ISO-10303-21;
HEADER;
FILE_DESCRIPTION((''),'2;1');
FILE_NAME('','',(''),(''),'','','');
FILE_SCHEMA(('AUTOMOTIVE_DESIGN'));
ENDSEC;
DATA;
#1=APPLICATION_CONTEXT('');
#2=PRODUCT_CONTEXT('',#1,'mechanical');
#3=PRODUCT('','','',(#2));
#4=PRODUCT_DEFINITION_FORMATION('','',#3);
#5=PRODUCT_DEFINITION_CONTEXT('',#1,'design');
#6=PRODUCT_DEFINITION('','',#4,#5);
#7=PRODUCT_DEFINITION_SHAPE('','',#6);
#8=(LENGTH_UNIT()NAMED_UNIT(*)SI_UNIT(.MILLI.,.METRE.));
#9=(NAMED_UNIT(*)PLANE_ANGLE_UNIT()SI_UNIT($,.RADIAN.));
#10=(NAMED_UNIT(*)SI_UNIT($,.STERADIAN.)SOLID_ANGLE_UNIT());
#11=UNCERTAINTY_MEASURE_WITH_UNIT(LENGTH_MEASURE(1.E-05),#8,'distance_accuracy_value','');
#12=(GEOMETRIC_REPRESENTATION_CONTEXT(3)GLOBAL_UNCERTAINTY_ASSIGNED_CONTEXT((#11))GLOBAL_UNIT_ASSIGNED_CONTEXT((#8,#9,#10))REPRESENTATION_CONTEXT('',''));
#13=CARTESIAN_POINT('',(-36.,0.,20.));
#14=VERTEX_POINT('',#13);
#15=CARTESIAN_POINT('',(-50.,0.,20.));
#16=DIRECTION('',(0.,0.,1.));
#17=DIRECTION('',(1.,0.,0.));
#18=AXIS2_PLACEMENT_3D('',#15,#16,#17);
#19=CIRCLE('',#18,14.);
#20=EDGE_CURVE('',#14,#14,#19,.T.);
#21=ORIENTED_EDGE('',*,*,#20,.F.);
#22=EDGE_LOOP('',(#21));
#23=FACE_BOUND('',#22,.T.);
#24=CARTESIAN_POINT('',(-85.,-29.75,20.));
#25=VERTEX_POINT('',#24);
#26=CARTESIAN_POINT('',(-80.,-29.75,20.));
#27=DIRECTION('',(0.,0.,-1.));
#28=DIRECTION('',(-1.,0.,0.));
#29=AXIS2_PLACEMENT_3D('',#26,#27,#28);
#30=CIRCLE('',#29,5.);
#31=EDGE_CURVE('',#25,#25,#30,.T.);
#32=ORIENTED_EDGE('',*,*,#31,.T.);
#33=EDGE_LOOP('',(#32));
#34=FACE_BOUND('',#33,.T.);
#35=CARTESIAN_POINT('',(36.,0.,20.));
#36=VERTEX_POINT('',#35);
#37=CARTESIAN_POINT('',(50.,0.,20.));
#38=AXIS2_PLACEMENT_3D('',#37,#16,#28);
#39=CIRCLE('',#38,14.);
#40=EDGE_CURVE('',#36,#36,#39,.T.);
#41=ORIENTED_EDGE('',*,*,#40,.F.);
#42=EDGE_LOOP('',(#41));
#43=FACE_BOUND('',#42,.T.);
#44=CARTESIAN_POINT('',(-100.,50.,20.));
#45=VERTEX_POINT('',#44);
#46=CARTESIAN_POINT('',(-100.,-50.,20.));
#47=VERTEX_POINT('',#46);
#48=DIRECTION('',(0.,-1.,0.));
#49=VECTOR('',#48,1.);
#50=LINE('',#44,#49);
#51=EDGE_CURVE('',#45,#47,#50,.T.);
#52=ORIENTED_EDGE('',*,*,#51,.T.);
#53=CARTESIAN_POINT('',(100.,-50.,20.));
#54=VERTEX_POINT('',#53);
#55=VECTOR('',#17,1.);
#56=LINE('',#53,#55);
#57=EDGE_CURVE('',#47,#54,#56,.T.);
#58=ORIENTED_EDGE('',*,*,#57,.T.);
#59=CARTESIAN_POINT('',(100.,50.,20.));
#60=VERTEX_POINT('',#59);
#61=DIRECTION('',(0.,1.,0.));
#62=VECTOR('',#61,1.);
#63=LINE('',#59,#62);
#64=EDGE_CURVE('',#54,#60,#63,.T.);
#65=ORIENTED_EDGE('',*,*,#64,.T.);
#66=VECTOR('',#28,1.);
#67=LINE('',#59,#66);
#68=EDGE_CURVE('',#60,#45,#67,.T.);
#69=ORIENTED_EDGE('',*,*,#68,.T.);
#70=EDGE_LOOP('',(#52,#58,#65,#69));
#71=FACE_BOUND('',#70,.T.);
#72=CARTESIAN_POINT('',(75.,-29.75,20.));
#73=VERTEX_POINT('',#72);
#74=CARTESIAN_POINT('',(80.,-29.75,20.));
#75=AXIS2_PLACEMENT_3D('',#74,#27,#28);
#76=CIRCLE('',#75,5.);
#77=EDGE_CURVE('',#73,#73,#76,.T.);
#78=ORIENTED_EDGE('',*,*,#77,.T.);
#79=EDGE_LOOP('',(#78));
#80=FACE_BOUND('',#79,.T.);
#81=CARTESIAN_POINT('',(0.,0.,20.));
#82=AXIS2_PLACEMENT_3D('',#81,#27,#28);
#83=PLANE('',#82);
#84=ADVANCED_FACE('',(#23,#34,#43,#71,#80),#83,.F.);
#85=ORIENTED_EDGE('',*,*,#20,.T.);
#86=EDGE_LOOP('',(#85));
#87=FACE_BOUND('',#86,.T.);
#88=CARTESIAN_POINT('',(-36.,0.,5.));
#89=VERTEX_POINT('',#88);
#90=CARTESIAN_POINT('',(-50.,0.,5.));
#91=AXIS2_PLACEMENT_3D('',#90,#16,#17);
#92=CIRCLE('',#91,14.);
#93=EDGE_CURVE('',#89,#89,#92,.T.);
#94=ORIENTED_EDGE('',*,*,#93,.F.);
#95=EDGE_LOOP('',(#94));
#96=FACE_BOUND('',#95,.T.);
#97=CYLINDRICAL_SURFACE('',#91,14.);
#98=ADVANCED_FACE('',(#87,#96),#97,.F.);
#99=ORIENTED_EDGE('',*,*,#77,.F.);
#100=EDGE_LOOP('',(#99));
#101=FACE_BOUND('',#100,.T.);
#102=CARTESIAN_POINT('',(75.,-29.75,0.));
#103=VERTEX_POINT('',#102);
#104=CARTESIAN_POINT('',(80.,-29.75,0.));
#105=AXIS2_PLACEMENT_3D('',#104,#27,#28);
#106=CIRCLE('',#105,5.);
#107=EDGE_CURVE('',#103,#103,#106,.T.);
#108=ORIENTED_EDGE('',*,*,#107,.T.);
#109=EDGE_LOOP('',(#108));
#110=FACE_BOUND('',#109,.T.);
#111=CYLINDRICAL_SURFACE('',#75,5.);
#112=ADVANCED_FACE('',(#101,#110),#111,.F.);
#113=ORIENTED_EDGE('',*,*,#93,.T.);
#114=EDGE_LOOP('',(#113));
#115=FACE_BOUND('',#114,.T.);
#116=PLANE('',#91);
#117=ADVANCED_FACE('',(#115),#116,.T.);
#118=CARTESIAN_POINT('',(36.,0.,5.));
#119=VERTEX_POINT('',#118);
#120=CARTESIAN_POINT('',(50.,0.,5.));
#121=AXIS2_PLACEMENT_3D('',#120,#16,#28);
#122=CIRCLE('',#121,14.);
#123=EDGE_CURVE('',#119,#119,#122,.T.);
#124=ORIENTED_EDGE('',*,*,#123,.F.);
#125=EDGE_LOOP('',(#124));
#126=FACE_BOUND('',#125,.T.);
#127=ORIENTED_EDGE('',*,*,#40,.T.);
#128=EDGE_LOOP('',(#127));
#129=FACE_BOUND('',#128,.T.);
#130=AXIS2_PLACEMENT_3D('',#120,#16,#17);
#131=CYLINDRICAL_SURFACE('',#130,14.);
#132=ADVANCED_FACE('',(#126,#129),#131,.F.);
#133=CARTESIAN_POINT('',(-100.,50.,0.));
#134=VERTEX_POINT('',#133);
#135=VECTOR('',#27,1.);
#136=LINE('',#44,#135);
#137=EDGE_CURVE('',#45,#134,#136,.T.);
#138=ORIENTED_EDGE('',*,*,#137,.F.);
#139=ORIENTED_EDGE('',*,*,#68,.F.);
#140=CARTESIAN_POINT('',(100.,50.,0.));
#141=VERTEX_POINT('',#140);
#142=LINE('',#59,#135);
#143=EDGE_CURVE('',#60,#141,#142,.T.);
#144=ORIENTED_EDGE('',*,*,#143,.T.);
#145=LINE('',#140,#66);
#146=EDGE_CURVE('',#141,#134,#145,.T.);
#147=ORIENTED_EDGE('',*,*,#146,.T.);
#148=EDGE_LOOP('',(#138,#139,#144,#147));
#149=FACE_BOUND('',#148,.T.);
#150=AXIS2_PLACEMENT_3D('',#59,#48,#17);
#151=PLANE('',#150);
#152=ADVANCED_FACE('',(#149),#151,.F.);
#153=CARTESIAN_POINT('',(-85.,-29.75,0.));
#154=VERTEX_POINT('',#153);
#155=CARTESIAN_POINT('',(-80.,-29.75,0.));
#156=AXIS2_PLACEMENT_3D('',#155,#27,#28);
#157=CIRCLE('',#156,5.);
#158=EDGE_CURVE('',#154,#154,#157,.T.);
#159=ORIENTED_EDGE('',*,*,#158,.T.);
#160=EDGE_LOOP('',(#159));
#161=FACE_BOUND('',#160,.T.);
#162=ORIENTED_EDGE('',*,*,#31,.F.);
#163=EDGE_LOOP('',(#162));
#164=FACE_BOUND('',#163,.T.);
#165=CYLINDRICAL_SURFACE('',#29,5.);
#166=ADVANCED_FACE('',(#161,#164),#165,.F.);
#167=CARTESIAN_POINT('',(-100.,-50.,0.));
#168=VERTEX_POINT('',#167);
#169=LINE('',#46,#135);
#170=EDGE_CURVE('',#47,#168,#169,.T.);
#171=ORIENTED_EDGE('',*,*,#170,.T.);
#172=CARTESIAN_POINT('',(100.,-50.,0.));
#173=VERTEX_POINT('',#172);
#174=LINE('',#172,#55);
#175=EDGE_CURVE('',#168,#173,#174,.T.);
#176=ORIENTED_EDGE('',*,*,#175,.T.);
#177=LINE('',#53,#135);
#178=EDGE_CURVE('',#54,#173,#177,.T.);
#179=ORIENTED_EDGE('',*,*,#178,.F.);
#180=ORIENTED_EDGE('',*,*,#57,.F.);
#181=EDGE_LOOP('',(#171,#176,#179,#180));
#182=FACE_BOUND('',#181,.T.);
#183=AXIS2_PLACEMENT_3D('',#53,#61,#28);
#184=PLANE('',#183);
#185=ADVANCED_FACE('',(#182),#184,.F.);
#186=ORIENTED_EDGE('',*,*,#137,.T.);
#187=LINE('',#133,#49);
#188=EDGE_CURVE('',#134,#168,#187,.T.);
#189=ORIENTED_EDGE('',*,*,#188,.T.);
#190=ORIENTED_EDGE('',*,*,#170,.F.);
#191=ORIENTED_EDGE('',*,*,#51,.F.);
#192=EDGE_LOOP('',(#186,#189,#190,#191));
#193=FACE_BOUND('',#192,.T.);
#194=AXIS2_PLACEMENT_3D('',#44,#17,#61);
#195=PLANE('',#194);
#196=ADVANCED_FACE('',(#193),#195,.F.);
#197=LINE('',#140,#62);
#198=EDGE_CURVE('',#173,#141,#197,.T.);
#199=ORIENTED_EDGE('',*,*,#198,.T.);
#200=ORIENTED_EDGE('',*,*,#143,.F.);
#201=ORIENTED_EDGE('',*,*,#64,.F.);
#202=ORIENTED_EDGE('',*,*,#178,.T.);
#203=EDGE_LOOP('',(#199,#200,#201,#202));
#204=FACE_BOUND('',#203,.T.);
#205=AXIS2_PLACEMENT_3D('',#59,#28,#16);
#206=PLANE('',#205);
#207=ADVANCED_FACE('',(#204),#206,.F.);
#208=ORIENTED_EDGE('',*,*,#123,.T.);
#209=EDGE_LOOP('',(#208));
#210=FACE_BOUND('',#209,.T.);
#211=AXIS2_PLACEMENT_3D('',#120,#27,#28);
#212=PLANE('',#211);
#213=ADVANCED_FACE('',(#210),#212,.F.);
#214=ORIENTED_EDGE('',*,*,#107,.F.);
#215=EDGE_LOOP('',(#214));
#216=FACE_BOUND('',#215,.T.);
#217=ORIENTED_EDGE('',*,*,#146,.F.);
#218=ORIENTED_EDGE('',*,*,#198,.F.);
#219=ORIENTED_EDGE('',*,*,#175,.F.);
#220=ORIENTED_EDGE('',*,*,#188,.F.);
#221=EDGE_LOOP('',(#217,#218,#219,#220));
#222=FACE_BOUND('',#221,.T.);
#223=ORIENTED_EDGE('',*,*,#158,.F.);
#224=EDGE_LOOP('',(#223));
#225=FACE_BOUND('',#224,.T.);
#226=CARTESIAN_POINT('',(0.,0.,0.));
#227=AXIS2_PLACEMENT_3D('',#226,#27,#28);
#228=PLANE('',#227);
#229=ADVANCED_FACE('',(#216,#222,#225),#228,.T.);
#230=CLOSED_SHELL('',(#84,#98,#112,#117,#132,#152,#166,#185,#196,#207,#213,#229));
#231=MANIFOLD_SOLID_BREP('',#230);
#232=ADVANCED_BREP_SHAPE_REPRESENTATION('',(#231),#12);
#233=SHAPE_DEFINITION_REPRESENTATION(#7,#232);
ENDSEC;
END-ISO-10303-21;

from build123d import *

# Parameters (mm, degrees)
SKETCH1_W           = 200
SKETCH1_H           = 100
BOSS_EXTRUDE1_DEPTH = 20
SKETCH2_R           = 14
CUT_EXTRUDE1_DEPTH  = 15
SKETCH4_R           = 5
CUT_EXTRUDE3_DEPTH  = 114.578166916


with BuildPart() as part:
    # Sketch1 → Boss-Extrude1 (new body)
    with BuildSketch(Plane.XY):
        Rectangle(SKETCH1_W, SKETCH1_H)
    extrude(amount=BOSS_EXTRUDE1_DEPTH)

    # Sketch2 → Cut-Extrude1 (cut)
    with BuildSketch(Plane.XY.offset(20)):
        with Locations((-50, 0)):
            Circle(SKETCH2_R)
        with Locations(Location((50, 0, 0), (0, 0, 180))):
            Circle(SKETCH2_R)
    extrude(amount=-CUT_EXTRUDE1_DEPTH, mode=Mode.SUBTRACT)

    # Sketch4 → Cut-Extrude3 (cut, through all)
    with BuildSketch(Plane(origin=(0, 0, 0), x_dir=(-1, 0, 0), z_dir=(0, 0, -1))):
        with Locations((-80, -29.75)):
            Circle(SKETCH4_R)
        with Locations((80, -29.75)):
            Circle(SKETCH4_R)
    extrude(amount=-CUT_EXTRUDE3_DEPTH, mode=Mode.SUBTRACT)


solid = part.part
